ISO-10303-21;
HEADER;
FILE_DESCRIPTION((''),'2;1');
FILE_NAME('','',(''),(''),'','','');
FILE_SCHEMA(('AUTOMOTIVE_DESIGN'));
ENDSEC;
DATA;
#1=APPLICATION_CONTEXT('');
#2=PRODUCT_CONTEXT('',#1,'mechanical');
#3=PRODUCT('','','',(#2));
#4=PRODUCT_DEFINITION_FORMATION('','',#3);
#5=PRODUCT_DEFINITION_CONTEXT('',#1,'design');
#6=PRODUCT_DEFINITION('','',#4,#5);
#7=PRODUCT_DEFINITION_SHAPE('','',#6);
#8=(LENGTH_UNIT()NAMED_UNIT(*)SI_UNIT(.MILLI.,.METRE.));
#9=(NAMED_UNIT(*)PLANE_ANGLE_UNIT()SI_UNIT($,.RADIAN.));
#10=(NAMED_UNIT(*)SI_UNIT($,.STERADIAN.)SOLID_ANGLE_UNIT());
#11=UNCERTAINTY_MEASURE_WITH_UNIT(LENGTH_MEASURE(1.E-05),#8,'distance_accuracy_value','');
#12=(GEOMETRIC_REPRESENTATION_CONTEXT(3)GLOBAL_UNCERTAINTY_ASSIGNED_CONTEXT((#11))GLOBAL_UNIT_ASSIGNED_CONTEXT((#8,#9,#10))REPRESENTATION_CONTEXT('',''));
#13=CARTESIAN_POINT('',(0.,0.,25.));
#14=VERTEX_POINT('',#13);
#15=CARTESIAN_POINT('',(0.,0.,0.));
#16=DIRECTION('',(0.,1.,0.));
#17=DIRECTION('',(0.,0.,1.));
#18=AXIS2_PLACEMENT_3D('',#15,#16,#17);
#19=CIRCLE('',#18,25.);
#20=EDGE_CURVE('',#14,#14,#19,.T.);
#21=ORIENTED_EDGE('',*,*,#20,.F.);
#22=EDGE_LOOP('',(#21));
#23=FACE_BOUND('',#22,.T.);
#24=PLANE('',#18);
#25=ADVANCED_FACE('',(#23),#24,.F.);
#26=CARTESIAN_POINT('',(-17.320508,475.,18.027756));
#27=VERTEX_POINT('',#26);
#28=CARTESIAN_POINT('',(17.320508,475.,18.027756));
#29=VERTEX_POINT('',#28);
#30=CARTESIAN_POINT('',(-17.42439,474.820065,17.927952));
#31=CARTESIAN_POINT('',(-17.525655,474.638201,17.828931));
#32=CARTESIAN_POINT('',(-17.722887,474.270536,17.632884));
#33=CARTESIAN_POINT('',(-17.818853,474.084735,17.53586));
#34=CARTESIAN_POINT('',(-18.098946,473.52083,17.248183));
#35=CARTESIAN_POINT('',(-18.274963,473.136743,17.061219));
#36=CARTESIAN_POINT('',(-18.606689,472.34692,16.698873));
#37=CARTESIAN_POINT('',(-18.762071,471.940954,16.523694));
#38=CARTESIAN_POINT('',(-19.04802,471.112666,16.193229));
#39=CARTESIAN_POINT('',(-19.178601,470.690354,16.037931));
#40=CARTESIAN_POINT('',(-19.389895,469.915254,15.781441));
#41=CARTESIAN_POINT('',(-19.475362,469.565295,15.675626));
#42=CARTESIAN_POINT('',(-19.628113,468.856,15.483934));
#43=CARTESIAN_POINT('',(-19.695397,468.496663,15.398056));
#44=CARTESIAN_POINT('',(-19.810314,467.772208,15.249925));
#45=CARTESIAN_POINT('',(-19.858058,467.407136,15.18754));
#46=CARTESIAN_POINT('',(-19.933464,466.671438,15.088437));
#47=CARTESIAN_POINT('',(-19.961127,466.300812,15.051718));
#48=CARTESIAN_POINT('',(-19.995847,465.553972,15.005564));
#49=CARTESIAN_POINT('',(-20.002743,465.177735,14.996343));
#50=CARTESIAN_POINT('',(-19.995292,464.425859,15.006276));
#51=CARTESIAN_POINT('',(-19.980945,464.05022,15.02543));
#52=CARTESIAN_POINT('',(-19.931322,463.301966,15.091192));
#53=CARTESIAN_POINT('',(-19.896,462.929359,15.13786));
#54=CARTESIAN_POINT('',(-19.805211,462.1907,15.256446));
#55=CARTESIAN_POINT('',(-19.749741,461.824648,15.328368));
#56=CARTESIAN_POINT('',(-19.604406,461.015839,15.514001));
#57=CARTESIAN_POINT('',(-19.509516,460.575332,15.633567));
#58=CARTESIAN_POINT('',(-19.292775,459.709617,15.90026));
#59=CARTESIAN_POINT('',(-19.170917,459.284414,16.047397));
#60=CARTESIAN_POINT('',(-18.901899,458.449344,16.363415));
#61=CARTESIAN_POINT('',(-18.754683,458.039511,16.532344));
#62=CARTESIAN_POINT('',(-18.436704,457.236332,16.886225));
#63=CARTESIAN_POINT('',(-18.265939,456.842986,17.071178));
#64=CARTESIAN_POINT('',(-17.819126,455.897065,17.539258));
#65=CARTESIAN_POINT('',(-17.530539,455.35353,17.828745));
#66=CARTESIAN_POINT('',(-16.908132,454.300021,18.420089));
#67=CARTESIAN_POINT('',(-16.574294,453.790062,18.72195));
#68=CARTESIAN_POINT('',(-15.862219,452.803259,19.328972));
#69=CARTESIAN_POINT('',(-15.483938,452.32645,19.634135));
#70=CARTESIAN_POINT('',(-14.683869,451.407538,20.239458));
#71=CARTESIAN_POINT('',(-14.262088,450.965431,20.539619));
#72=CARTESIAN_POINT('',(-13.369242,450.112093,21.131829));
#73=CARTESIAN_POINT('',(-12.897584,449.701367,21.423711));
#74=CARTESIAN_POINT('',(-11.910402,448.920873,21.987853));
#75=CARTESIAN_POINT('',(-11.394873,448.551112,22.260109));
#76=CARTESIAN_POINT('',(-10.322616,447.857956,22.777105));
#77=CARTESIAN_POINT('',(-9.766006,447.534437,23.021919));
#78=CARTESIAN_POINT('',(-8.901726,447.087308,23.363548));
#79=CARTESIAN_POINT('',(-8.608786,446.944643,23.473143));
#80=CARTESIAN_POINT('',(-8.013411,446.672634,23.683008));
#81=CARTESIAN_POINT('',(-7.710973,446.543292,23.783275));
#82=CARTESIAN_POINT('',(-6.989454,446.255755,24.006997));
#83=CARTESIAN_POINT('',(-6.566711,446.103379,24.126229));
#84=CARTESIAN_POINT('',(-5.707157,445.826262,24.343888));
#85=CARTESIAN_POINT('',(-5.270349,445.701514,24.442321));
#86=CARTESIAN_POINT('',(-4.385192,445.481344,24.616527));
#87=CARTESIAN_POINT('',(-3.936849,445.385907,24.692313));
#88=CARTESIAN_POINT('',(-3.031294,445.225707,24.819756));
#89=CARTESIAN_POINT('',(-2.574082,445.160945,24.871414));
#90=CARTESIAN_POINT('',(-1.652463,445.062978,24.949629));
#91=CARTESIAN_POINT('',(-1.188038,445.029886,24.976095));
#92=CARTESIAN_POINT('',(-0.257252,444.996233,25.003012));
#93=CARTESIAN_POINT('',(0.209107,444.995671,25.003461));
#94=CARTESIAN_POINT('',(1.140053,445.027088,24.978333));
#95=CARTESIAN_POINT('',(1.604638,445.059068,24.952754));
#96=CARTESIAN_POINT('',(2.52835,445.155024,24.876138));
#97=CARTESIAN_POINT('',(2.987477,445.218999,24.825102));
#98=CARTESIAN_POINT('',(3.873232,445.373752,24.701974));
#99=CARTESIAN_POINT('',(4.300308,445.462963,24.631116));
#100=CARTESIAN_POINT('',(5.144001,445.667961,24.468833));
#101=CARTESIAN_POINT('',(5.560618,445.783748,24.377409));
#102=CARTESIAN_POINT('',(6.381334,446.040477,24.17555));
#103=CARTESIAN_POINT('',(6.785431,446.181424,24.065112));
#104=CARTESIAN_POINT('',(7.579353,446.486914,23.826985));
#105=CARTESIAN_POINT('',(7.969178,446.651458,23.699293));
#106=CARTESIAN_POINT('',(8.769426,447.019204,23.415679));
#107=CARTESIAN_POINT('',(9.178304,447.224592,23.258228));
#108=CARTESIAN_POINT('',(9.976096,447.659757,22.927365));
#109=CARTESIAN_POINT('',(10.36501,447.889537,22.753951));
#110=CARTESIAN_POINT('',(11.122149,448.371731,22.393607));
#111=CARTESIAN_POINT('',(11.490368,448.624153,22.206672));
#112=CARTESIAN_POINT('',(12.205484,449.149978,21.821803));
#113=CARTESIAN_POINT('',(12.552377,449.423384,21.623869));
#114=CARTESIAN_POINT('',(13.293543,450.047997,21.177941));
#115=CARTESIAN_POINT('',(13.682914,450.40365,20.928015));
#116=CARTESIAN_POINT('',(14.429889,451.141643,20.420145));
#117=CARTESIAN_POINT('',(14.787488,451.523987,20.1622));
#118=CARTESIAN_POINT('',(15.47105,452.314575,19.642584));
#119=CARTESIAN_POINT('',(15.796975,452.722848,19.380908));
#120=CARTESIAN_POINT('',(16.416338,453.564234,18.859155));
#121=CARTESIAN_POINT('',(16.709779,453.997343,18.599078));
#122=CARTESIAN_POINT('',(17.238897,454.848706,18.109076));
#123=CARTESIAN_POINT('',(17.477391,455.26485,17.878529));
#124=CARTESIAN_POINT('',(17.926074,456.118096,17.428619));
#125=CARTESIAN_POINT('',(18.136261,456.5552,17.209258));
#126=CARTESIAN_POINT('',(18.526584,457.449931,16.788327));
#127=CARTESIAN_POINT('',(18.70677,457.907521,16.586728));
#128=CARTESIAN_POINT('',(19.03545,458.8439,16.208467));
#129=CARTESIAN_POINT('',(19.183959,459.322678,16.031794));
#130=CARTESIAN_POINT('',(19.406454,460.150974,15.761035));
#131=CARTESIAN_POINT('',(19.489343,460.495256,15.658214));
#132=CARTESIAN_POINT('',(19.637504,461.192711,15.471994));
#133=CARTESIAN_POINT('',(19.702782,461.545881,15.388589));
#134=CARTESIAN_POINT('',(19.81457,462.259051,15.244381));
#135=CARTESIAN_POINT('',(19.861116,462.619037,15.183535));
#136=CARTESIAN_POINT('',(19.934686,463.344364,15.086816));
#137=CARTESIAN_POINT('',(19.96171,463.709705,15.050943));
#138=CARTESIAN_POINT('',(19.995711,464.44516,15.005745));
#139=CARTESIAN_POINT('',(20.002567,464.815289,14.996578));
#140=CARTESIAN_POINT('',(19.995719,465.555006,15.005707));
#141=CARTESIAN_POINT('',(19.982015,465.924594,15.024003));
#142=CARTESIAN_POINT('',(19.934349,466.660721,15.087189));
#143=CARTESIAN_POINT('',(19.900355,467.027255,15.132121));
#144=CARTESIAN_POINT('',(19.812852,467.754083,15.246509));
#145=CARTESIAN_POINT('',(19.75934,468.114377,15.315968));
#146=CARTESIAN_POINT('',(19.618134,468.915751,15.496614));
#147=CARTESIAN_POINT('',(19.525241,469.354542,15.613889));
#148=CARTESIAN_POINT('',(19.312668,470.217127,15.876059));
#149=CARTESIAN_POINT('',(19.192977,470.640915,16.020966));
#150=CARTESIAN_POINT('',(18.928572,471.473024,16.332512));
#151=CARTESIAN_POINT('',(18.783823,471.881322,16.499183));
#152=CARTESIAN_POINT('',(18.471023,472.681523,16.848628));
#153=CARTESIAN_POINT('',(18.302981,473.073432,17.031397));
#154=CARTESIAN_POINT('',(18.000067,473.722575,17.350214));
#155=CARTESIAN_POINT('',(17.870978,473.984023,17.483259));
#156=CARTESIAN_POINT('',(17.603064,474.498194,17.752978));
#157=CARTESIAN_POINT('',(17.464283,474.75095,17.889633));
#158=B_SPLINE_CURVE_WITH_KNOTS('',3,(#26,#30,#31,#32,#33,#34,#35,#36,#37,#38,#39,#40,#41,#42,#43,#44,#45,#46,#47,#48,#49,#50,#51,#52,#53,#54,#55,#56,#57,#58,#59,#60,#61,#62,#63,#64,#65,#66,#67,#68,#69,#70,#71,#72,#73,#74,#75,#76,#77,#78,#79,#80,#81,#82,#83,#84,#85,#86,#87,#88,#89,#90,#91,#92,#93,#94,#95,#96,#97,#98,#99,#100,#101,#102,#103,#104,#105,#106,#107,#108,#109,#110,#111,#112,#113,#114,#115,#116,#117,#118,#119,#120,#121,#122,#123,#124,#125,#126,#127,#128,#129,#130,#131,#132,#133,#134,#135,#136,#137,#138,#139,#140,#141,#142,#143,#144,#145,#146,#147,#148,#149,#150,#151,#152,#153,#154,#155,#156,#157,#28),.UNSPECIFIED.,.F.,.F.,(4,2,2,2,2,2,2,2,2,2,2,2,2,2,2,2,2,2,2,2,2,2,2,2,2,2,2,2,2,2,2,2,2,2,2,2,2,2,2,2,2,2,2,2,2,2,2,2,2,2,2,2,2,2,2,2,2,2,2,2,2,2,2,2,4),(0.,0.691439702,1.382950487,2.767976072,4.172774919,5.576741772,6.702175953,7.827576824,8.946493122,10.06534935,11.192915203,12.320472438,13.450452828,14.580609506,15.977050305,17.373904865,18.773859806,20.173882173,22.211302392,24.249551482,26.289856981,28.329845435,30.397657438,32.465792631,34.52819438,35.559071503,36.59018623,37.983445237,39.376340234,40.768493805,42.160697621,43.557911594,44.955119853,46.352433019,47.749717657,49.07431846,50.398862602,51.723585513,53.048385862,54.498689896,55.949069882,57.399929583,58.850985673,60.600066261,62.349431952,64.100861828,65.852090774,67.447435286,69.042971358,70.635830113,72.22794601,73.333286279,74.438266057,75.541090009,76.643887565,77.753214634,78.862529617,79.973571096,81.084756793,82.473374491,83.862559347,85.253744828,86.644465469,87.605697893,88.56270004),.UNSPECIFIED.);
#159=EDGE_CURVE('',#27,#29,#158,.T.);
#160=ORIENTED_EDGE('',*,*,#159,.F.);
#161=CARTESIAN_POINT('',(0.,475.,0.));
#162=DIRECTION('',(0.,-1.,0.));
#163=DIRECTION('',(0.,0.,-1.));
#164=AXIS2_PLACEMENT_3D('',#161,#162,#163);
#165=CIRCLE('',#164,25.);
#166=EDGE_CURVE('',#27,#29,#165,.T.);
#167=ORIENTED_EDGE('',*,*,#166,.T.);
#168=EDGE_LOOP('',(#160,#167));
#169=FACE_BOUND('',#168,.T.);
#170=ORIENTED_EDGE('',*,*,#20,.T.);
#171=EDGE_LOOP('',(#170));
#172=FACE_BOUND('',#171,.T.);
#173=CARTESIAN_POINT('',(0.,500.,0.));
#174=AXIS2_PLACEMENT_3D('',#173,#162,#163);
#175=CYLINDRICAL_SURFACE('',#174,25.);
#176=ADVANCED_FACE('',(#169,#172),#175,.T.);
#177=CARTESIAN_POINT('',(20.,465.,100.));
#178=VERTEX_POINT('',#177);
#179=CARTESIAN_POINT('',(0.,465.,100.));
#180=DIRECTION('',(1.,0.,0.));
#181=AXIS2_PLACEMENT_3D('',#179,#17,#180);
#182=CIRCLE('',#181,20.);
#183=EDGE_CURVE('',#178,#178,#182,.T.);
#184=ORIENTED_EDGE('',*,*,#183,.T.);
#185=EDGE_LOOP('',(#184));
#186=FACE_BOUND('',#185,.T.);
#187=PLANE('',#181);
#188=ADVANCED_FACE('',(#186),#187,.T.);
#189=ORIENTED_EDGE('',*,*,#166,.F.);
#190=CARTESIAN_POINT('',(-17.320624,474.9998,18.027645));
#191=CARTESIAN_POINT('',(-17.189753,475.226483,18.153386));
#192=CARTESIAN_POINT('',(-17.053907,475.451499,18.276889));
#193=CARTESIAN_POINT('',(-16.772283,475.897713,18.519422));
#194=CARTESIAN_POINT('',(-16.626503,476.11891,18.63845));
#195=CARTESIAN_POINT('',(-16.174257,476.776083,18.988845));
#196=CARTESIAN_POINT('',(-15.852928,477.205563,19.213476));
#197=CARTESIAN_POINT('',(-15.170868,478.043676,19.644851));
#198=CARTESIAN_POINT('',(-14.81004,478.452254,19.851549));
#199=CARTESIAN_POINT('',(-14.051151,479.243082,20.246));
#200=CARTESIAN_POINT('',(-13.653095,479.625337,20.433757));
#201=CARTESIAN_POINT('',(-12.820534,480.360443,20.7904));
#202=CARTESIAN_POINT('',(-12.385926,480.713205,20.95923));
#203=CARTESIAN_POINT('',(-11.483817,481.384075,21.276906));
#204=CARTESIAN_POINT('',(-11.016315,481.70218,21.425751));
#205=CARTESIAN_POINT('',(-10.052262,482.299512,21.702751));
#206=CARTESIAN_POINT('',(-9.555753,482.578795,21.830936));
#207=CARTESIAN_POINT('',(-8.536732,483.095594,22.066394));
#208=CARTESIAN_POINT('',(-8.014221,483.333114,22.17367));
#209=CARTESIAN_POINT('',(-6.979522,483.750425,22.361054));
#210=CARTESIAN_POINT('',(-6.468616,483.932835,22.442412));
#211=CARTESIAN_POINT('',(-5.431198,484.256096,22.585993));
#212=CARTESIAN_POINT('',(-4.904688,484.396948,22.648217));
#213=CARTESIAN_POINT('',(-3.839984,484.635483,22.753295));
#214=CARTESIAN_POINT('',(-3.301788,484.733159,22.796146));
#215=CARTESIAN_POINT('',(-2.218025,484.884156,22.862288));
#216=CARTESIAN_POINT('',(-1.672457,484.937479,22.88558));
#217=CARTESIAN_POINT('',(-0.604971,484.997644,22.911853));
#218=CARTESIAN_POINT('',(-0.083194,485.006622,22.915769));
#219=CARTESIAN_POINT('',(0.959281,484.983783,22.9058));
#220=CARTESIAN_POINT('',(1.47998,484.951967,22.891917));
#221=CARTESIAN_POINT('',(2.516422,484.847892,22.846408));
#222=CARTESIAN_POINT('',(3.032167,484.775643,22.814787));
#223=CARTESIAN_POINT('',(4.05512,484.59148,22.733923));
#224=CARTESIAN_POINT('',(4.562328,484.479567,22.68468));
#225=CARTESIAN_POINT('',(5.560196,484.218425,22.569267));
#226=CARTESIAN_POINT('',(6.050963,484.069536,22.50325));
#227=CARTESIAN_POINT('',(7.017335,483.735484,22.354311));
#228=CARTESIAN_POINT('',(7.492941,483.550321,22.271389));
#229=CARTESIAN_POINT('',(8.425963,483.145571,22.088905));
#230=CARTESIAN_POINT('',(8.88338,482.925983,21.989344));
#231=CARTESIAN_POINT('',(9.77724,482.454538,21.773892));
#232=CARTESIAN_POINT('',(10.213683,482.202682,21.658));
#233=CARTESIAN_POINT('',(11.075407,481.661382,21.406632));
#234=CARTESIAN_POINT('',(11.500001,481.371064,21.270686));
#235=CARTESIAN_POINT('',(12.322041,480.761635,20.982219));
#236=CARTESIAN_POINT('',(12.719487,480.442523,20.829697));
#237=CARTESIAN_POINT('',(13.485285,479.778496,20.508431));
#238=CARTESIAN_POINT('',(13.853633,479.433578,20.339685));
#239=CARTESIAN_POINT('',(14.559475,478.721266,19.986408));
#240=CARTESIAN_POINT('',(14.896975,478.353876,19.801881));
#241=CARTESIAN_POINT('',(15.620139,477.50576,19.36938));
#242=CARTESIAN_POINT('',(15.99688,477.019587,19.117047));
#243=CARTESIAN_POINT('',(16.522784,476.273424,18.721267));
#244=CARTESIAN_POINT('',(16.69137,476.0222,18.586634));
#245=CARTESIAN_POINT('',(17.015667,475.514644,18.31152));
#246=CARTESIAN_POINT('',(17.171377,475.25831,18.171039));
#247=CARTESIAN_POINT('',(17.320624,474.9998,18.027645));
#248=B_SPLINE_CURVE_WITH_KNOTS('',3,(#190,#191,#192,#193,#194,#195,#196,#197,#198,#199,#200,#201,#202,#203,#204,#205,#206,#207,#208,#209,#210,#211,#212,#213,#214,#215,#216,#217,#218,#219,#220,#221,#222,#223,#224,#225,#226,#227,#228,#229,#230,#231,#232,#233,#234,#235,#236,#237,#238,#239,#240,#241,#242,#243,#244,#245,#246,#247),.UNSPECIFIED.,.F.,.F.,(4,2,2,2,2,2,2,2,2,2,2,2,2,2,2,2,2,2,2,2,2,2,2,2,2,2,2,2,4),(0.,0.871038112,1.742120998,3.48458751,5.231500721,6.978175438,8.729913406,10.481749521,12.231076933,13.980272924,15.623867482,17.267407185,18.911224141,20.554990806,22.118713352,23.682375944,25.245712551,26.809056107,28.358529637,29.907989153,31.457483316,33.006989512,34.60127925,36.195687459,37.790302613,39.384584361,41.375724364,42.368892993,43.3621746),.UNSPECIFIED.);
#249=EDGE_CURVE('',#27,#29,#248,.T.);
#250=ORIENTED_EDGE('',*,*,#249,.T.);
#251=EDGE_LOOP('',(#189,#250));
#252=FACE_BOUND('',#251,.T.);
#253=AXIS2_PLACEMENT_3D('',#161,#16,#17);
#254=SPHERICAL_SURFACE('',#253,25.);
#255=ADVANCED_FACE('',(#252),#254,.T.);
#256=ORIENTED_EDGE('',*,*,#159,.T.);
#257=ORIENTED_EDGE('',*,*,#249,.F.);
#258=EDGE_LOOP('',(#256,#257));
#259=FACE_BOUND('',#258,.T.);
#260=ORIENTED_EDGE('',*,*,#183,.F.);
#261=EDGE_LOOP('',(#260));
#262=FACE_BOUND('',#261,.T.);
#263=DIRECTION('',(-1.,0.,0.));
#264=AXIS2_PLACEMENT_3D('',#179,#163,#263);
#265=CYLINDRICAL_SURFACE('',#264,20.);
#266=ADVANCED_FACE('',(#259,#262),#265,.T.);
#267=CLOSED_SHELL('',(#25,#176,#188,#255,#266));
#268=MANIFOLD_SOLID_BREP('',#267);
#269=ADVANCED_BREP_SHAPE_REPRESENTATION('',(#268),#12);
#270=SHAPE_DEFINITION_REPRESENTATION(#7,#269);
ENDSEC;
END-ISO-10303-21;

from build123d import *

# Parameters (mm, degrees)
SKETCH_1_R      = 25
EXTRUDE_1_DEPTH = 500
FILLET_1_R      = 25
SKETCH_3_R      = 20
EXTRUDE_2_DEPTH = 100


with BuildPart() as part:
    # 草图1 → 凸台-拉伸1 (new body)
    with BuildSketch(Plane(origin=(0, 0, 0), x_dir=(1, 0, 0), z_dir=(0, 1, 0))):
        with Locations(Location((0, 0, 0), (0, 0, 270))):
            Circle(SKETCH_1_R)
    extrude(amount=EXTRUDE_1_DEPTH)

    # 圆角1
    fillet_1_edges = [part.edges().sort_by_distance(p)[0] for p in [
        (0, 500, -25),
    ]]
    fillet(fillet_1_edges, radius=FILLET_1_R)

    # 草图3 → 凸台-拉伸2 (add)
    with BuildSketch(Plane.XY):
        with Locations(Location((0, 465, 0), (0, 0, 149.999999999))):
            Circle(SKETCH_3_R)
    extrude(amount=EXTRUDE_2_DEPTH)


solid = part.part
